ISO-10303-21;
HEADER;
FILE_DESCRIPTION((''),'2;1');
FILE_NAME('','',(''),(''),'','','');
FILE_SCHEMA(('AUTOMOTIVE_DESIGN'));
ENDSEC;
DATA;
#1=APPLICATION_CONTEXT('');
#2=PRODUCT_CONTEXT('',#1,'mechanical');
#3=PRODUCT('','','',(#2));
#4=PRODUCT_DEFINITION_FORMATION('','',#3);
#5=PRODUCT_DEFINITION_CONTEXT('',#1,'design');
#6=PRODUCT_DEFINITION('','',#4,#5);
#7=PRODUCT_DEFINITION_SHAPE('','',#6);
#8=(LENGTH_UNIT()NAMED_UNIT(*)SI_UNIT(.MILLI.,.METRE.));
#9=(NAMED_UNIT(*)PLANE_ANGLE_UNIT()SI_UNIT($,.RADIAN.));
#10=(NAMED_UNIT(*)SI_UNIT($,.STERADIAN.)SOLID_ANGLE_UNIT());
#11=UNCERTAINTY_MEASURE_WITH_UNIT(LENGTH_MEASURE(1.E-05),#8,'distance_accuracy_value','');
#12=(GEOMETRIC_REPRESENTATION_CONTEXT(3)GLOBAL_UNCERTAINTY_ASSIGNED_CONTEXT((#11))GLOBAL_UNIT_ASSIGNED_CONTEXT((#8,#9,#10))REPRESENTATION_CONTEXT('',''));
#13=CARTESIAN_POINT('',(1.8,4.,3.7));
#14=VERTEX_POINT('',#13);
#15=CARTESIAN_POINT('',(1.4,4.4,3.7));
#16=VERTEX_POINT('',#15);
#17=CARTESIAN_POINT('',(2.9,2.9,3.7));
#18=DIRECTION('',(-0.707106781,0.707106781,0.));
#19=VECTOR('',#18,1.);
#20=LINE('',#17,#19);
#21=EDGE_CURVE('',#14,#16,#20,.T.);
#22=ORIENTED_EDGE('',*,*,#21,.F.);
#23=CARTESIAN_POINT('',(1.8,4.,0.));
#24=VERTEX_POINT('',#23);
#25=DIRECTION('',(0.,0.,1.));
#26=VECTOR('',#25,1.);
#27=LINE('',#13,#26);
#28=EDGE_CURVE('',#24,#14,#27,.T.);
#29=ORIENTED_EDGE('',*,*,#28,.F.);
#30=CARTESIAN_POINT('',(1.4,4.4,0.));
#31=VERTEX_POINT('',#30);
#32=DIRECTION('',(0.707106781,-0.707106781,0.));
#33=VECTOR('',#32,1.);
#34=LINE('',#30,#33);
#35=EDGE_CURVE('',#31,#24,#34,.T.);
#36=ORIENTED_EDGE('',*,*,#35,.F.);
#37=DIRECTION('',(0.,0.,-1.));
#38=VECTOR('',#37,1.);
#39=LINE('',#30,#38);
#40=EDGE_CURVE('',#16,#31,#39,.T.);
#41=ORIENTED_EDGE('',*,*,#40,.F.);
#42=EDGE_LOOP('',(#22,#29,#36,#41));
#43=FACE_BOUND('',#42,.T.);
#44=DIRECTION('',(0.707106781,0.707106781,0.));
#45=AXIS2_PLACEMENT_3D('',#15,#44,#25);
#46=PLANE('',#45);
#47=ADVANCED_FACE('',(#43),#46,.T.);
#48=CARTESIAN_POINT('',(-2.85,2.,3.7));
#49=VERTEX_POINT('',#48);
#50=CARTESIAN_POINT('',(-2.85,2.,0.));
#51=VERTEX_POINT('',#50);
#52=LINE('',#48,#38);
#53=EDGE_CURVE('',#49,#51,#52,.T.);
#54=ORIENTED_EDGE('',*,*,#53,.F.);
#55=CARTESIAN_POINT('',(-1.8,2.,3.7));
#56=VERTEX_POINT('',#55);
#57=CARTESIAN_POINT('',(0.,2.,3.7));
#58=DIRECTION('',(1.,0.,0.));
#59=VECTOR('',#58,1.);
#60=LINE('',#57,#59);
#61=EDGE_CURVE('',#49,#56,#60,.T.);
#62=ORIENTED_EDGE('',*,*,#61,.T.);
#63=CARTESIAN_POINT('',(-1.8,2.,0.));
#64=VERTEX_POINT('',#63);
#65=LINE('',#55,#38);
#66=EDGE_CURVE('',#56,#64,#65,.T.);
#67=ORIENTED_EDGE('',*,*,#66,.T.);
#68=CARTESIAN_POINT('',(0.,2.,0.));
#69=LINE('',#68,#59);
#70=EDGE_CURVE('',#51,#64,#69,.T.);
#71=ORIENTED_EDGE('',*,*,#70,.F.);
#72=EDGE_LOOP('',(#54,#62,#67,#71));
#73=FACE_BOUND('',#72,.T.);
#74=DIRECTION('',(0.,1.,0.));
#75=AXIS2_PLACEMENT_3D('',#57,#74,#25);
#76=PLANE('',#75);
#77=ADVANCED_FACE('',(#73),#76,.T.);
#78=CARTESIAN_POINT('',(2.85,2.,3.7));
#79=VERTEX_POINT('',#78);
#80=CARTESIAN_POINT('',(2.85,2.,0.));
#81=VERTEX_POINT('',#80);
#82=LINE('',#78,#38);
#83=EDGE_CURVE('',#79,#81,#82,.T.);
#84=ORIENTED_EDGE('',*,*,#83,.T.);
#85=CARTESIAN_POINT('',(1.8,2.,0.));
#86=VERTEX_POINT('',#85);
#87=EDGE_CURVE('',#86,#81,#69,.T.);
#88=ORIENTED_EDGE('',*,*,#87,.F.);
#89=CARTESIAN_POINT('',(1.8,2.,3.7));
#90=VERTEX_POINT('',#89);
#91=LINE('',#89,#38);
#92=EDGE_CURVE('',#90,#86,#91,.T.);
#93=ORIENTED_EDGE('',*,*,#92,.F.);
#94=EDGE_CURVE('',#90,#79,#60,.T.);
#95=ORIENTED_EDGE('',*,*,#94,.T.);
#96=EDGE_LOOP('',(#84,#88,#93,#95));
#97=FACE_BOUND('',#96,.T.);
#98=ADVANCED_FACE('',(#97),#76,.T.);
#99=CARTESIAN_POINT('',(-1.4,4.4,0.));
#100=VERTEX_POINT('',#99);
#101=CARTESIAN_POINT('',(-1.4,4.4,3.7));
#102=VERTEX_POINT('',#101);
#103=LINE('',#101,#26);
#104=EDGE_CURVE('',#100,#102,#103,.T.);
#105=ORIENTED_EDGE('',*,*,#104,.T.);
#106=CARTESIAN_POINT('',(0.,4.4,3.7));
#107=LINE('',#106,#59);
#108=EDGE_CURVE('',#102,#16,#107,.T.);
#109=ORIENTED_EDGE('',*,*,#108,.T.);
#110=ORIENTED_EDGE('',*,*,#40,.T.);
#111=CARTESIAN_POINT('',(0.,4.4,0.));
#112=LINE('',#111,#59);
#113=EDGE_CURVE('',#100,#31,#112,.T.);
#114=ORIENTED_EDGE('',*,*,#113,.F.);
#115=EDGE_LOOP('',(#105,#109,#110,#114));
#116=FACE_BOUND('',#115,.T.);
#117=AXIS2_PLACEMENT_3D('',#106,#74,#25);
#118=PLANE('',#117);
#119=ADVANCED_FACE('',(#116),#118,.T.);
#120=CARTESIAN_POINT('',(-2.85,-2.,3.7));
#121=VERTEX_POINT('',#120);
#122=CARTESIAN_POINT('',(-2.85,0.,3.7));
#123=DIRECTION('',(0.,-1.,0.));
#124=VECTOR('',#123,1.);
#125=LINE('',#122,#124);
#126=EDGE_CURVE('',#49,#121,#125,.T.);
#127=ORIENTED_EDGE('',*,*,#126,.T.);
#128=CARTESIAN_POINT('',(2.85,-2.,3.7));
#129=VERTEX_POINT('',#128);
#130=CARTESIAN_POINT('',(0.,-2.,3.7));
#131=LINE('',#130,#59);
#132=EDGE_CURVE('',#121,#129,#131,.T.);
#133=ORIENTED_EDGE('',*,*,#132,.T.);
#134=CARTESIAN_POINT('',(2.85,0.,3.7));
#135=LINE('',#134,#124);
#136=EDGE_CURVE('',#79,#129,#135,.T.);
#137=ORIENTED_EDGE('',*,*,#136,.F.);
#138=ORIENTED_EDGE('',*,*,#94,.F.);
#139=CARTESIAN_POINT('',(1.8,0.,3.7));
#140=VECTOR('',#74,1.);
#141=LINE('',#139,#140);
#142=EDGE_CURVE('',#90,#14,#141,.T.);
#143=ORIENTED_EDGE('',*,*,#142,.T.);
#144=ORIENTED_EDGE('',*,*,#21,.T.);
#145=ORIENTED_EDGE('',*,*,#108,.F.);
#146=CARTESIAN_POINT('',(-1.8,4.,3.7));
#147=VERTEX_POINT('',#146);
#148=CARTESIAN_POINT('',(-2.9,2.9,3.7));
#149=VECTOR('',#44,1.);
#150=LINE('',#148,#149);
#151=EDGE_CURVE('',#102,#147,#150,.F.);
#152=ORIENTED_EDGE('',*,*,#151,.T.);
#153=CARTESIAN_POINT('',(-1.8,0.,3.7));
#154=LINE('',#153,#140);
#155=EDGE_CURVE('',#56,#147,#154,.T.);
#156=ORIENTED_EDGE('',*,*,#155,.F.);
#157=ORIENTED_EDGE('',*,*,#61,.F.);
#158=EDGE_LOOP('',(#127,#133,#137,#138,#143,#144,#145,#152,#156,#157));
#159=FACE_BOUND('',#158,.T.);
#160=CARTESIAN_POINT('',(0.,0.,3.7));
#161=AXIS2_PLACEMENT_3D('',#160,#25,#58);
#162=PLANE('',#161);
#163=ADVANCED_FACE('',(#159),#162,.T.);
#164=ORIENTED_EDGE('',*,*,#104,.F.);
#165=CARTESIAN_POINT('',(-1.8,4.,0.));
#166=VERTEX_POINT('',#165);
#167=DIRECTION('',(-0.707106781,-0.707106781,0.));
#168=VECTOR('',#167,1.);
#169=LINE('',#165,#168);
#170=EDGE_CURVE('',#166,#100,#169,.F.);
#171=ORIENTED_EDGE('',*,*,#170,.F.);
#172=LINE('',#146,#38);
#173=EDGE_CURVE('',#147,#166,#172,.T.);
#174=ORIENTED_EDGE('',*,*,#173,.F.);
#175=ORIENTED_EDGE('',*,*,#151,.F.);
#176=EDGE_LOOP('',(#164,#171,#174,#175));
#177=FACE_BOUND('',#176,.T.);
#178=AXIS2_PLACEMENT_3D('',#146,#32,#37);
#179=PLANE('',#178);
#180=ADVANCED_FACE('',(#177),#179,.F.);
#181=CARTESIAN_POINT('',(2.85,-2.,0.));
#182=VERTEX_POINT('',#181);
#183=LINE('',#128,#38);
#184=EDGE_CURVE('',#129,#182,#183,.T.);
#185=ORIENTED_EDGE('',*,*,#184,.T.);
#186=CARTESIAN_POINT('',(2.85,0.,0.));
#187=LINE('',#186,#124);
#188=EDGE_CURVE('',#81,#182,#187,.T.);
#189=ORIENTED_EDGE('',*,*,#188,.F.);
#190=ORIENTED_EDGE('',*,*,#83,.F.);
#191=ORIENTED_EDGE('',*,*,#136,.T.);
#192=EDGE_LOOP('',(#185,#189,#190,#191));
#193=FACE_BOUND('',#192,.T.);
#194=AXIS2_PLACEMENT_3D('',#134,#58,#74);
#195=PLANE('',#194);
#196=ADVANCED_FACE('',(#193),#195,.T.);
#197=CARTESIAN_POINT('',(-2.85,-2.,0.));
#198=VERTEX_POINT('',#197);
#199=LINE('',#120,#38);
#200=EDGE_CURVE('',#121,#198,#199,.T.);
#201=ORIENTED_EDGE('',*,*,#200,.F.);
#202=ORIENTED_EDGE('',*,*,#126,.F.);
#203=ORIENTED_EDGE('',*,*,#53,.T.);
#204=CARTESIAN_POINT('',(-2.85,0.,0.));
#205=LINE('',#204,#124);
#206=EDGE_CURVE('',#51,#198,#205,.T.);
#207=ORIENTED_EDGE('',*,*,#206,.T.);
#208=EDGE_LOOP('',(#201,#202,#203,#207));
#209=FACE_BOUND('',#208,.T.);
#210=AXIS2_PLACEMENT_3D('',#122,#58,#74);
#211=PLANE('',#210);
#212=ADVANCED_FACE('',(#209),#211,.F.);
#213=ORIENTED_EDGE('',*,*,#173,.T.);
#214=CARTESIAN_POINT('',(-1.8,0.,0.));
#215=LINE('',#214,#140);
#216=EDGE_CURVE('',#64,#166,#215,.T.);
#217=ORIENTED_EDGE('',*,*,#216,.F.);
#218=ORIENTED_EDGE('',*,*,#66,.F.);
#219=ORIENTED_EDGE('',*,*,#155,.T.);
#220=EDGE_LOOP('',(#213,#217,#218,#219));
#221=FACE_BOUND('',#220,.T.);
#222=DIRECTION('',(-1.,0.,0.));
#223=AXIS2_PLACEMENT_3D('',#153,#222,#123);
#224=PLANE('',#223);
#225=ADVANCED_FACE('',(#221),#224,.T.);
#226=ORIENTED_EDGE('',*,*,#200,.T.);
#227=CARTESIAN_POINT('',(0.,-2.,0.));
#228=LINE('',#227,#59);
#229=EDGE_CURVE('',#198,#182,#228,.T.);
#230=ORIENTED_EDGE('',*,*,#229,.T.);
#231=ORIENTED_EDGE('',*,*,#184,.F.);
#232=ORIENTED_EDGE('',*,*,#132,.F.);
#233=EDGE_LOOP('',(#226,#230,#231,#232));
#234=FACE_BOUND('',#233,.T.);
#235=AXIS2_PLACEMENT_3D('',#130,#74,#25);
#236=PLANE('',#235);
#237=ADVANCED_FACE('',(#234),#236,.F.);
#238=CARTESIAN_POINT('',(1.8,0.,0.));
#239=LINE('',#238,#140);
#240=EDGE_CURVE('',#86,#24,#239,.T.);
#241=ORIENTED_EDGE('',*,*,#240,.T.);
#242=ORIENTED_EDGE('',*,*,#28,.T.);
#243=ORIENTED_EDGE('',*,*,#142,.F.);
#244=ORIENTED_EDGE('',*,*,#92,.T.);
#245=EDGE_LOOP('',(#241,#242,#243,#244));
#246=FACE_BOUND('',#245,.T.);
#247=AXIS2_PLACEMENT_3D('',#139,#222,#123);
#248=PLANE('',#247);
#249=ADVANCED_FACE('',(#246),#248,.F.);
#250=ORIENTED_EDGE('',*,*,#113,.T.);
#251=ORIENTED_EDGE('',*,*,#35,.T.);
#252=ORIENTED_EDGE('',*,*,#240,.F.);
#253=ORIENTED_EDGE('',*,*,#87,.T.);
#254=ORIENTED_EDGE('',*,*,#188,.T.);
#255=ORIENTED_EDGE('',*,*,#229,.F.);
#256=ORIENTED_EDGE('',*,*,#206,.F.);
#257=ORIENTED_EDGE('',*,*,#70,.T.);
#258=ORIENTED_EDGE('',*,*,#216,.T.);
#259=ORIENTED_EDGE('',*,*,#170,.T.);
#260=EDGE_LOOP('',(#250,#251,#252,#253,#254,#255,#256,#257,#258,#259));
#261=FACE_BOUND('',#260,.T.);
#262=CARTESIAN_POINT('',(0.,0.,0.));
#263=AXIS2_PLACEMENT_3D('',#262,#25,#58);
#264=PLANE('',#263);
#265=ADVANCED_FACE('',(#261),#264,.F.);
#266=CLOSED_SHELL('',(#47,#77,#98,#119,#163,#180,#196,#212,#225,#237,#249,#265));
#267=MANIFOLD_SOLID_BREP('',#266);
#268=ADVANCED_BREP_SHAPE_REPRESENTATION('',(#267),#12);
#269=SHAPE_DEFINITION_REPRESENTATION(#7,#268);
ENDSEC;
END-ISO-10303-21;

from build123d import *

# Parameters (mm, degrees)
SKETCH1_W           = 5.7
SKETCH1_H           = 4
SKETCH1_W_2         = 3.6
SKETCH1_H_2         = 2.4
BOSS_EXTRUDE1_DEPTH = 3.7
CHAMFER1_SIZE       = 0.4


with BuildPart() as part:
    # Sketch1 → Boss-Extrude1 (new body)
    with BuildSketch(Plane.XY):
        Rectangle(SKETCH1_W, SKETCH1_H)
        with Locations((0, 3.2)):
            Rectangle(SKETCH1_W_2, SKETCH1_H_2)
    extrude(amount=BOSS_EXTRUDE1_DEPTH)

    # Chamfer1
    chamfer1_edges = [part.edges().sort_by_distance(p)[0] for p in [
        (-1.8, 4.4, 1.85),
        (1.8, 4.4, 1.85),
    ]]
    chamfer(chamfer1_edges, length=CHAMFER1_SIZE)


solid = part.part
